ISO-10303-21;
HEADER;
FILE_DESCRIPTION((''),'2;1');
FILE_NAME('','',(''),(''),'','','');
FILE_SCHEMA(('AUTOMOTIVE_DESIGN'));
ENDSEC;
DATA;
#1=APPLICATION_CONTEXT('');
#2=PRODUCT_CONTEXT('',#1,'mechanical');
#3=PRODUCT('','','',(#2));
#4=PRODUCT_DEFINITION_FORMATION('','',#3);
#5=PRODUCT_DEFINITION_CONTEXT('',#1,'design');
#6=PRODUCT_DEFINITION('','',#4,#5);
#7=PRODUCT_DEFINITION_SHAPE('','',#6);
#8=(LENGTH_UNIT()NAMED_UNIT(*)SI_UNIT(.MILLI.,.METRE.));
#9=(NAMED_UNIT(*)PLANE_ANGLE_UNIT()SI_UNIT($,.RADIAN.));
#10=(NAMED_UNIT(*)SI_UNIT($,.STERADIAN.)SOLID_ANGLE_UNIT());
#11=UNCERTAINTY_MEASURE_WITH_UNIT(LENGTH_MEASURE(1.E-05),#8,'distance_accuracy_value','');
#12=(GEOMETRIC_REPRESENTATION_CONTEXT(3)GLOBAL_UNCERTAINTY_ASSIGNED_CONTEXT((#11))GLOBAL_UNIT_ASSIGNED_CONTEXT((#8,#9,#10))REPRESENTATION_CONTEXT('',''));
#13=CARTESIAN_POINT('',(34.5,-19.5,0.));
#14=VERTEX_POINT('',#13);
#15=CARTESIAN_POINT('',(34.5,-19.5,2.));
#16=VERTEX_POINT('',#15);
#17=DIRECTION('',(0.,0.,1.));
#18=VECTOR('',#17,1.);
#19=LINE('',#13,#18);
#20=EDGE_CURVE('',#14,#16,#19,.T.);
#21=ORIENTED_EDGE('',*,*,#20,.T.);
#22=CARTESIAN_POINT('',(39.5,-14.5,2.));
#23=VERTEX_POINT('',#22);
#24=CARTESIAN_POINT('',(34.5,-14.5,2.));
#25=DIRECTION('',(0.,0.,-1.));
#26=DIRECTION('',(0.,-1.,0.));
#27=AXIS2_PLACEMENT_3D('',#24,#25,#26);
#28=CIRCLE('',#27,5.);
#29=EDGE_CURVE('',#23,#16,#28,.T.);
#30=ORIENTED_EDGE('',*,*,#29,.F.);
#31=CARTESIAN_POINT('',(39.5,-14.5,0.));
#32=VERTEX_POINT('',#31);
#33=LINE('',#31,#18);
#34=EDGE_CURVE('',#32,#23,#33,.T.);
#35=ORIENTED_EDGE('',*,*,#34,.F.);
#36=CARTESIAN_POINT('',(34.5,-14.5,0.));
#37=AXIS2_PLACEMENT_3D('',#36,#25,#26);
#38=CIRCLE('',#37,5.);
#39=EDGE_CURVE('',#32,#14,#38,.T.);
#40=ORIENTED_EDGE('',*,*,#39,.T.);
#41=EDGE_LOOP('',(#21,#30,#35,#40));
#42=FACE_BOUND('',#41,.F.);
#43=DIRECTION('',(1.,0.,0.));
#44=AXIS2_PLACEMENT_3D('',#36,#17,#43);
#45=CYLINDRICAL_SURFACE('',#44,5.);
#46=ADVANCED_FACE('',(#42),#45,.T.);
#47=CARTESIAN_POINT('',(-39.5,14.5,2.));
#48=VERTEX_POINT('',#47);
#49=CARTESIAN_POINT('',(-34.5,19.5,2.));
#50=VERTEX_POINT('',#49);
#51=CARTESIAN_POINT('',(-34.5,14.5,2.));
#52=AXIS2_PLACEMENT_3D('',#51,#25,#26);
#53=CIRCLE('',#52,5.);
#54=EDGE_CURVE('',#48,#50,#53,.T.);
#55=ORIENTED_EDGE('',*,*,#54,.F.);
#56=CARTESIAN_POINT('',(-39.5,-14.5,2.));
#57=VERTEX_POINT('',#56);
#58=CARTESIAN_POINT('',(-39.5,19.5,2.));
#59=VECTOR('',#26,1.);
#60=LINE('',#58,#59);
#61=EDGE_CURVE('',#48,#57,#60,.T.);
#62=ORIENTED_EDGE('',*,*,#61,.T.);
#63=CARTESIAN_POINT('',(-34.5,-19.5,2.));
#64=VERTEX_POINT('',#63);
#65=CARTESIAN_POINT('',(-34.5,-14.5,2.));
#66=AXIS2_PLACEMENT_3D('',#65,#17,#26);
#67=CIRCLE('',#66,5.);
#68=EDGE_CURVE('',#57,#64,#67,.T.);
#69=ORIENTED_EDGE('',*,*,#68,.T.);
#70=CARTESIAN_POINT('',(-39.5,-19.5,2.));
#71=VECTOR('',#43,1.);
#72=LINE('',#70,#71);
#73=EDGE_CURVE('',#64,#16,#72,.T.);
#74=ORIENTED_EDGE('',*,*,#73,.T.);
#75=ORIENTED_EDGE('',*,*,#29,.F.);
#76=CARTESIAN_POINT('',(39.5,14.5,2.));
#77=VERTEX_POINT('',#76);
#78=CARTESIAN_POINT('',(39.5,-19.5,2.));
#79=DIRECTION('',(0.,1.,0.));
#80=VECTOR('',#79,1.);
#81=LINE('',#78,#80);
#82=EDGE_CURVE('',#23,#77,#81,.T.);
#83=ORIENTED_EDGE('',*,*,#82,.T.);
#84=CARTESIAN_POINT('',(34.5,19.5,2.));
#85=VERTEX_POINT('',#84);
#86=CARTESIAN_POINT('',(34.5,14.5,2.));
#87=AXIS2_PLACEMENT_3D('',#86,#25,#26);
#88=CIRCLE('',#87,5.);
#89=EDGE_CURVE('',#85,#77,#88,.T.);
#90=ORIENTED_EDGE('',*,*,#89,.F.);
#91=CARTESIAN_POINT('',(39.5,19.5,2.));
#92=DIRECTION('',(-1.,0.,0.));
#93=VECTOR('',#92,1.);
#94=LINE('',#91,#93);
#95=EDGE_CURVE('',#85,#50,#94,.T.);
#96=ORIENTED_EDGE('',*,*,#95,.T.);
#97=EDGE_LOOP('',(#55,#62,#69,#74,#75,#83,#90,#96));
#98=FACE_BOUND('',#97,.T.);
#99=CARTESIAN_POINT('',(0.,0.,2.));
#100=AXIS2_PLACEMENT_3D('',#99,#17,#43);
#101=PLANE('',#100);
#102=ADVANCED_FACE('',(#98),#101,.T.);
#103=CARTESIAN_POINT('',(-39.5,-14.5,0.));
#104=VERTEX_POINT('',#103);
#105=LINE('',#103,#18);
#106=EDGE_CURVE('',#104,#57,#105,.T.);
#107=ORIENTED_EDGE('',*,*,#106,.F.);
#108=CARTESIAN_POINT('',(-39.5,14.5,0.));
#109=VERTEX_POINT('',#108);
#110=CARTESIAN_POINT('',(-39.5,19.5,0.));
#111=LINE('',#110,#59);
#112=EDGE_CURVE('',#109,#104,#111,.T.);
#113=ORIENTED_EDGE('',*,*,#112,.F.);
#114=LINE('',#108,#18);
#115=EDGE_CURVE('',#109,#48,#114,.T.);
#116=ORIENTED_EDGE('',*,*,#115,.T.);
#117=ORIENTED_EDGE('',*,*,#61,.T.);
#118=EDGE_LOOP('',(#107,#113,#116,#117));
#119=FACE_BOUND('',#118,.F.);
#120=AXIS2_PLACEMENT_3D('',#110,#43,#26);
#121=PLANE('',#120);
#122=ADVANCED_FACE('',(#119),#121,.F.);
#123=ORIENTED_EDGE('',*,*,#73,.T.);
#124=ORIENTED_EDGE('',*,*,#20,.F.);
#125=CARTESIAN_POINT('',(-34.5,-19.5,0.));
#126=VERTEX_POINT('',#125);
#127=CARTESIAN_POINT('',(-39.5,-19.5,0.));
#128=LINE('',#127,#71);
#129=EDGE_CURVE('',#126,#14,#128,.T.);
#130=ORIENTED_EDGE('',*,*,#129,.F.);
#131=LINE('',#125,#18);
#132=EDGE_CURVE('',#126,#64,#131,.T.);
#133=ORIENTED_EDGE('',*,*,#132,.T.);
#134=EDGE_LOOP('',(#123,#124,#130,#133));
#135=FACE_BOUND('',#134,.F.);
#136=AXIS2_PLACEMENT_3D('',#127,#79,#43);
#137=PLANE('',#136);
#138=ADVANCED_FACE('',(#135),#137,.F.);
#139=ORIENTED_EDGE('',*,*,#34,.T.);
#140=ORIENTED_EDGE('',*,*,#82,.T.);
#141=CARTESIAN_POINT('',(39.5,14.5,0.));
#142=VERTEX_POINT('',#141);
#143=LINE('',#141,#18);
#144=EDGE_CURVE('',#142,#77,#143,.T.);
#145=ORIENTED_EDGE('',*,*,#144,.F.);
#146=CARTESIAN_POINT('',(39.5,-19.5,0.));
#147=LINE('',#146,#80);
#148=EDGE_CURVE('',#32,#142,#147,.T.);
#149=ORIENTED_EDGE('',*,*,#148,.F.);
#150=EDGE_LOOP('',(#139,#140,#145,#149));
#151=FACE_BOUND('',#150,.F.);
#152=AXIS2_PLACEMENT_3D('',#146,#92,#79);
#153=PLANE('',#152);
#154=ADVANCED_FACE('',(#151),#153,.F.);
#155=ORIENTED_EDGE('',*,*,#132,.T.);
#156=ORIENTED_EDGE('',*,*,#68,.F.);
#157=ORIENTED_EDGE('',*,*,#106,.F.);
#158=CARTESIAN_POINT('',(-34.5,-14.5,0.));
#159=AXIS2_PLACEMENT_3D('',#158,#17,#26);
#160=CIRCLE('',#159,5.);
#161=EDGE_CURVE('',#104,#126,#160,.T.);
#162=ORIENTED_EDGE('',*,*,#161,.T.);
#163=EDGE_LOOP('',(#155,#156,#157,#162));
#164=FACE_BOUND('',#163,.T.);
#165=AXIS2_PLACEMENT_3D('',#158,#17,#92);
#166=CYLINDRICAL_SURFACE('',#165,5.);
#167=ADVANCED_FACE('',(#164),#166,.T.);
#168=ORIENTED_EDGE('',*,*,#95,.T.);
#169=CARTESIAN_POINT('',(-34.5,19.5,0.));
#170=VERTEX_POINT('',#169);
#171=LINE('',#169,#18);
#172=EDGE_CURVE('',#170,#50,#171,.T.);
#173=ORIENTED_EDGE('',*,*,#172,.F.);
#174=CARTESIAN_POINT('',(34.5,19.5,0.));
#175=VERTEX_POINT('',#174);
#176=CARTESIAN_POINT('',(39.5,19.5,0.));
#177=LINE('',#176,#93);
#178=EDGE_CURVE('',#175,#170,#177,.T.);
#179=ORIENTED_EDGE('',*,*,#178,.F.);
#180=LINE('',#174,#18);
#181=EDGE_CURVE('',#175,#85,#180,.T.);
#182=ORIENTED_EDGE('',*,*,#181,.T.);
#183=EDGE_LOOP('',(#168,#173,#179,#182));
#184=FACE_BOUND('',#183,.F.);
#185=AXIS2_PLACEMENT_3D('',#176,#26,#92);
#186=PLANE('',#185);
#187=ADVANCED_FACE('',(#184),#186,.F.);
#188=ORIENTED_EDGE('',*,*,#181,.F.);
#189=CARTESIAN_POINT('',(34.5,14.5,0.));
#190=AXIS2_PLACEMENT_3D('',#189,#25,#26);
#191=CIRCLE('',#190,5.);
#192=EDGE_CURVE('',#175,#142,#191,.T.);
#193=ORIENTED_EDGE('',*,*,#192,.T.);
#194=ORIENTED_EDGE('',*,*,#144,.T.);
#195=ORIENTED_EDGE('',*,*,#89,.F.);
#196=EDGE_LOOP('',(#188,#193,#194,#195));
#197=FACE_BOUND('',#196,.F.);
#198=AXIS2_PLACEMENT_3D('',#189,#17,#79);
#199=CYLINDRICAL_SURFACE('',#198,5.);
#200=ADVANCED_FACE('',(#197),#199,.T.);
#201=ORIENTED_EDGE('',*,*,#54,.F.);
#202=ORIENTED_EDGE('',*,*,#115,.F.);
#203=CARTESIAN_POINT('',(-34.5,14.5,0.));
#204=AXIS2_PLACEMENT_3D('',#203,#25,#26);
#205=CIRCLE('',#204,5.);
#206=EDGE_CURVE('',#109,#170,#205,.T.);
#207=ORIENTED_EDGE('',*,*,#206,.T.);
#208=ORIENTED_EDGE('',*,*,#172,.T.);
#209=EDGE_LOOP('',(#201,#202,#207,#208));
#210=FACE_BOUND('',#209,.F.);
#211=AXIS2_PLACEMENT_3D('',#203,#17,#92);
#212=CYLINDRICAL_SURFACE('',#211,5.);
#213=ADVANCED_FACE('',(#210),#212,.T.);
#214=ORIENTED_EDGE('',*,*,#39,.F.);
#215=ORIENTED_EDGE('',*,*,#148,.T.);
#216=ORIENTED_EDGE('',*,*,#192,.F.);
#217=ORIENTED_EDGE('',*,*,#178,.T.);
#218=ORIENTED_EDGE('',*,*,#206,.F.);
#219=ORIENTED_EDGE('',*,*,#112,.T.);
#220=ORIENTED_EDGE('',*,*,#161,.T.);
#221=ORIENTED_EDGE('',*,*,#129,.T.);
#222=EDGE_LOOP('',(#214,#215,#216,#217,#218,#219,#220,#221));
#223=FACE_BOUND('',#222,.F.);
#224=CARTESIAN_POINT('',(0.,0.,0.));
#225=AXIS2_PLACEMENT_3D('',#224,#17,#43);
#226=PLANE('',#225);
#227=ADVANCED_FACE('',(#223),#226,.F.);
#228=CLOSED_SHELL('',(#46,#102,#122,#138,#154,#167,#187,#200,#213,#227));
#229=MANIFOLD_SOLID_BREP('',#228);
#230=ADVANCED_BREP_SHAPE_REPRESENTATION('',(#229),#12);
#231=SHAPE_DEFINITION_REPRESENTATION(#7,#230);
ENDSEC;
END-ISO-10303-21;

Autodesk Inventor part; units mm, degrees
ref_plane "YZ Plane" through (0, 0, 0) normal (1, 0, 0) x (0, 1, 0)
ref_plane "XZ Plane" through (0, 0, 0) normal (0, 1, 0) x (-1, 0, 0)
ref_plane "XY Plane" through (0, 0, 0) normal (0, 0, 1) x (1, 0, 0)
sketch "Sketch1" plane through (0, 0, 0) normal (0, 0, 1) x (1, 0, 0)
  line L0 (-39.5, -19.5) -> (39.5, -19.5)
  line L1 (39.5, -19.5) -> (39.5, 19.5)
  line L2 (39.5, 19.5) -> (-39.5, 19.5)
  line L3 (-39.5, 19.5) -> (-39.5, -19.5)
  line L4 (-39.5, -19.5) -> (39.5, 19.5) construction
  line L5 (39.5, -19.5) -> (-39.5, 19.5) construction
  point P0 (0, 0)
  dimension "d0" = 79
  dimension "d1" = 39
extrude "Extrusion1" add sketch "Sketch1" along normal blind 2
fillet "Fillet1" radius 5 4 edges at (39.5, -19.5, 1) (39.5, 19.5, 1) (-39.5, 19.5, 1) (-39.5, -19.5, 1)
sketch "Sketch2" plane through (0, 0, 2) normal (0, 0, 1) x (1, 0, 0)
  arc A0 (-39.5, -14.5) -> (-34.5, -19.5) centre (-34.5, -14.5) ccw projected
  line L0 (-34.5, -19.5) -> (34.5, -19.5) projected
  arc A1 (34.5, -19.5) -> (39.5, -14.5) centre (34.5, -14.5) ccw projected
  line L1 (39.5, -14.5) -> (39.5, 14.5) projected
  arc A2 (39.5, 14.5) -> (34.5, 19.5) centre (34.5, 14.5) ccw projected
  line L2 (34.5, 19.5) -> (-34.5, 19.5) projected
  arc A3 (-34.5, 19.5) -> (-39.5, 14.5) centre (-34.5, 14.5) ccw projected
  line L3 (-39.5, 14.5) -> (-39.5, -14.5) projected
  line L4 (-25, 12.3619) -> (25, 12.3619) construction
  line L5 (25, 12.3619) -> (25, -11.0912) construction
  line L6 (25, -11.0912) -> (-25, -11.0912) construction
  line L7 (-25, -11.0912) -> (-25, 12.3619) construction
  point P0 (0, 0)
  dimension "d5" = 50
  dimension "d6" = 79
  dimension "d7" = 14.5
equation "\"d7\" = -0.5 * d5 + 0.5 * d6"
properties part number "FrontLogoWSU"
